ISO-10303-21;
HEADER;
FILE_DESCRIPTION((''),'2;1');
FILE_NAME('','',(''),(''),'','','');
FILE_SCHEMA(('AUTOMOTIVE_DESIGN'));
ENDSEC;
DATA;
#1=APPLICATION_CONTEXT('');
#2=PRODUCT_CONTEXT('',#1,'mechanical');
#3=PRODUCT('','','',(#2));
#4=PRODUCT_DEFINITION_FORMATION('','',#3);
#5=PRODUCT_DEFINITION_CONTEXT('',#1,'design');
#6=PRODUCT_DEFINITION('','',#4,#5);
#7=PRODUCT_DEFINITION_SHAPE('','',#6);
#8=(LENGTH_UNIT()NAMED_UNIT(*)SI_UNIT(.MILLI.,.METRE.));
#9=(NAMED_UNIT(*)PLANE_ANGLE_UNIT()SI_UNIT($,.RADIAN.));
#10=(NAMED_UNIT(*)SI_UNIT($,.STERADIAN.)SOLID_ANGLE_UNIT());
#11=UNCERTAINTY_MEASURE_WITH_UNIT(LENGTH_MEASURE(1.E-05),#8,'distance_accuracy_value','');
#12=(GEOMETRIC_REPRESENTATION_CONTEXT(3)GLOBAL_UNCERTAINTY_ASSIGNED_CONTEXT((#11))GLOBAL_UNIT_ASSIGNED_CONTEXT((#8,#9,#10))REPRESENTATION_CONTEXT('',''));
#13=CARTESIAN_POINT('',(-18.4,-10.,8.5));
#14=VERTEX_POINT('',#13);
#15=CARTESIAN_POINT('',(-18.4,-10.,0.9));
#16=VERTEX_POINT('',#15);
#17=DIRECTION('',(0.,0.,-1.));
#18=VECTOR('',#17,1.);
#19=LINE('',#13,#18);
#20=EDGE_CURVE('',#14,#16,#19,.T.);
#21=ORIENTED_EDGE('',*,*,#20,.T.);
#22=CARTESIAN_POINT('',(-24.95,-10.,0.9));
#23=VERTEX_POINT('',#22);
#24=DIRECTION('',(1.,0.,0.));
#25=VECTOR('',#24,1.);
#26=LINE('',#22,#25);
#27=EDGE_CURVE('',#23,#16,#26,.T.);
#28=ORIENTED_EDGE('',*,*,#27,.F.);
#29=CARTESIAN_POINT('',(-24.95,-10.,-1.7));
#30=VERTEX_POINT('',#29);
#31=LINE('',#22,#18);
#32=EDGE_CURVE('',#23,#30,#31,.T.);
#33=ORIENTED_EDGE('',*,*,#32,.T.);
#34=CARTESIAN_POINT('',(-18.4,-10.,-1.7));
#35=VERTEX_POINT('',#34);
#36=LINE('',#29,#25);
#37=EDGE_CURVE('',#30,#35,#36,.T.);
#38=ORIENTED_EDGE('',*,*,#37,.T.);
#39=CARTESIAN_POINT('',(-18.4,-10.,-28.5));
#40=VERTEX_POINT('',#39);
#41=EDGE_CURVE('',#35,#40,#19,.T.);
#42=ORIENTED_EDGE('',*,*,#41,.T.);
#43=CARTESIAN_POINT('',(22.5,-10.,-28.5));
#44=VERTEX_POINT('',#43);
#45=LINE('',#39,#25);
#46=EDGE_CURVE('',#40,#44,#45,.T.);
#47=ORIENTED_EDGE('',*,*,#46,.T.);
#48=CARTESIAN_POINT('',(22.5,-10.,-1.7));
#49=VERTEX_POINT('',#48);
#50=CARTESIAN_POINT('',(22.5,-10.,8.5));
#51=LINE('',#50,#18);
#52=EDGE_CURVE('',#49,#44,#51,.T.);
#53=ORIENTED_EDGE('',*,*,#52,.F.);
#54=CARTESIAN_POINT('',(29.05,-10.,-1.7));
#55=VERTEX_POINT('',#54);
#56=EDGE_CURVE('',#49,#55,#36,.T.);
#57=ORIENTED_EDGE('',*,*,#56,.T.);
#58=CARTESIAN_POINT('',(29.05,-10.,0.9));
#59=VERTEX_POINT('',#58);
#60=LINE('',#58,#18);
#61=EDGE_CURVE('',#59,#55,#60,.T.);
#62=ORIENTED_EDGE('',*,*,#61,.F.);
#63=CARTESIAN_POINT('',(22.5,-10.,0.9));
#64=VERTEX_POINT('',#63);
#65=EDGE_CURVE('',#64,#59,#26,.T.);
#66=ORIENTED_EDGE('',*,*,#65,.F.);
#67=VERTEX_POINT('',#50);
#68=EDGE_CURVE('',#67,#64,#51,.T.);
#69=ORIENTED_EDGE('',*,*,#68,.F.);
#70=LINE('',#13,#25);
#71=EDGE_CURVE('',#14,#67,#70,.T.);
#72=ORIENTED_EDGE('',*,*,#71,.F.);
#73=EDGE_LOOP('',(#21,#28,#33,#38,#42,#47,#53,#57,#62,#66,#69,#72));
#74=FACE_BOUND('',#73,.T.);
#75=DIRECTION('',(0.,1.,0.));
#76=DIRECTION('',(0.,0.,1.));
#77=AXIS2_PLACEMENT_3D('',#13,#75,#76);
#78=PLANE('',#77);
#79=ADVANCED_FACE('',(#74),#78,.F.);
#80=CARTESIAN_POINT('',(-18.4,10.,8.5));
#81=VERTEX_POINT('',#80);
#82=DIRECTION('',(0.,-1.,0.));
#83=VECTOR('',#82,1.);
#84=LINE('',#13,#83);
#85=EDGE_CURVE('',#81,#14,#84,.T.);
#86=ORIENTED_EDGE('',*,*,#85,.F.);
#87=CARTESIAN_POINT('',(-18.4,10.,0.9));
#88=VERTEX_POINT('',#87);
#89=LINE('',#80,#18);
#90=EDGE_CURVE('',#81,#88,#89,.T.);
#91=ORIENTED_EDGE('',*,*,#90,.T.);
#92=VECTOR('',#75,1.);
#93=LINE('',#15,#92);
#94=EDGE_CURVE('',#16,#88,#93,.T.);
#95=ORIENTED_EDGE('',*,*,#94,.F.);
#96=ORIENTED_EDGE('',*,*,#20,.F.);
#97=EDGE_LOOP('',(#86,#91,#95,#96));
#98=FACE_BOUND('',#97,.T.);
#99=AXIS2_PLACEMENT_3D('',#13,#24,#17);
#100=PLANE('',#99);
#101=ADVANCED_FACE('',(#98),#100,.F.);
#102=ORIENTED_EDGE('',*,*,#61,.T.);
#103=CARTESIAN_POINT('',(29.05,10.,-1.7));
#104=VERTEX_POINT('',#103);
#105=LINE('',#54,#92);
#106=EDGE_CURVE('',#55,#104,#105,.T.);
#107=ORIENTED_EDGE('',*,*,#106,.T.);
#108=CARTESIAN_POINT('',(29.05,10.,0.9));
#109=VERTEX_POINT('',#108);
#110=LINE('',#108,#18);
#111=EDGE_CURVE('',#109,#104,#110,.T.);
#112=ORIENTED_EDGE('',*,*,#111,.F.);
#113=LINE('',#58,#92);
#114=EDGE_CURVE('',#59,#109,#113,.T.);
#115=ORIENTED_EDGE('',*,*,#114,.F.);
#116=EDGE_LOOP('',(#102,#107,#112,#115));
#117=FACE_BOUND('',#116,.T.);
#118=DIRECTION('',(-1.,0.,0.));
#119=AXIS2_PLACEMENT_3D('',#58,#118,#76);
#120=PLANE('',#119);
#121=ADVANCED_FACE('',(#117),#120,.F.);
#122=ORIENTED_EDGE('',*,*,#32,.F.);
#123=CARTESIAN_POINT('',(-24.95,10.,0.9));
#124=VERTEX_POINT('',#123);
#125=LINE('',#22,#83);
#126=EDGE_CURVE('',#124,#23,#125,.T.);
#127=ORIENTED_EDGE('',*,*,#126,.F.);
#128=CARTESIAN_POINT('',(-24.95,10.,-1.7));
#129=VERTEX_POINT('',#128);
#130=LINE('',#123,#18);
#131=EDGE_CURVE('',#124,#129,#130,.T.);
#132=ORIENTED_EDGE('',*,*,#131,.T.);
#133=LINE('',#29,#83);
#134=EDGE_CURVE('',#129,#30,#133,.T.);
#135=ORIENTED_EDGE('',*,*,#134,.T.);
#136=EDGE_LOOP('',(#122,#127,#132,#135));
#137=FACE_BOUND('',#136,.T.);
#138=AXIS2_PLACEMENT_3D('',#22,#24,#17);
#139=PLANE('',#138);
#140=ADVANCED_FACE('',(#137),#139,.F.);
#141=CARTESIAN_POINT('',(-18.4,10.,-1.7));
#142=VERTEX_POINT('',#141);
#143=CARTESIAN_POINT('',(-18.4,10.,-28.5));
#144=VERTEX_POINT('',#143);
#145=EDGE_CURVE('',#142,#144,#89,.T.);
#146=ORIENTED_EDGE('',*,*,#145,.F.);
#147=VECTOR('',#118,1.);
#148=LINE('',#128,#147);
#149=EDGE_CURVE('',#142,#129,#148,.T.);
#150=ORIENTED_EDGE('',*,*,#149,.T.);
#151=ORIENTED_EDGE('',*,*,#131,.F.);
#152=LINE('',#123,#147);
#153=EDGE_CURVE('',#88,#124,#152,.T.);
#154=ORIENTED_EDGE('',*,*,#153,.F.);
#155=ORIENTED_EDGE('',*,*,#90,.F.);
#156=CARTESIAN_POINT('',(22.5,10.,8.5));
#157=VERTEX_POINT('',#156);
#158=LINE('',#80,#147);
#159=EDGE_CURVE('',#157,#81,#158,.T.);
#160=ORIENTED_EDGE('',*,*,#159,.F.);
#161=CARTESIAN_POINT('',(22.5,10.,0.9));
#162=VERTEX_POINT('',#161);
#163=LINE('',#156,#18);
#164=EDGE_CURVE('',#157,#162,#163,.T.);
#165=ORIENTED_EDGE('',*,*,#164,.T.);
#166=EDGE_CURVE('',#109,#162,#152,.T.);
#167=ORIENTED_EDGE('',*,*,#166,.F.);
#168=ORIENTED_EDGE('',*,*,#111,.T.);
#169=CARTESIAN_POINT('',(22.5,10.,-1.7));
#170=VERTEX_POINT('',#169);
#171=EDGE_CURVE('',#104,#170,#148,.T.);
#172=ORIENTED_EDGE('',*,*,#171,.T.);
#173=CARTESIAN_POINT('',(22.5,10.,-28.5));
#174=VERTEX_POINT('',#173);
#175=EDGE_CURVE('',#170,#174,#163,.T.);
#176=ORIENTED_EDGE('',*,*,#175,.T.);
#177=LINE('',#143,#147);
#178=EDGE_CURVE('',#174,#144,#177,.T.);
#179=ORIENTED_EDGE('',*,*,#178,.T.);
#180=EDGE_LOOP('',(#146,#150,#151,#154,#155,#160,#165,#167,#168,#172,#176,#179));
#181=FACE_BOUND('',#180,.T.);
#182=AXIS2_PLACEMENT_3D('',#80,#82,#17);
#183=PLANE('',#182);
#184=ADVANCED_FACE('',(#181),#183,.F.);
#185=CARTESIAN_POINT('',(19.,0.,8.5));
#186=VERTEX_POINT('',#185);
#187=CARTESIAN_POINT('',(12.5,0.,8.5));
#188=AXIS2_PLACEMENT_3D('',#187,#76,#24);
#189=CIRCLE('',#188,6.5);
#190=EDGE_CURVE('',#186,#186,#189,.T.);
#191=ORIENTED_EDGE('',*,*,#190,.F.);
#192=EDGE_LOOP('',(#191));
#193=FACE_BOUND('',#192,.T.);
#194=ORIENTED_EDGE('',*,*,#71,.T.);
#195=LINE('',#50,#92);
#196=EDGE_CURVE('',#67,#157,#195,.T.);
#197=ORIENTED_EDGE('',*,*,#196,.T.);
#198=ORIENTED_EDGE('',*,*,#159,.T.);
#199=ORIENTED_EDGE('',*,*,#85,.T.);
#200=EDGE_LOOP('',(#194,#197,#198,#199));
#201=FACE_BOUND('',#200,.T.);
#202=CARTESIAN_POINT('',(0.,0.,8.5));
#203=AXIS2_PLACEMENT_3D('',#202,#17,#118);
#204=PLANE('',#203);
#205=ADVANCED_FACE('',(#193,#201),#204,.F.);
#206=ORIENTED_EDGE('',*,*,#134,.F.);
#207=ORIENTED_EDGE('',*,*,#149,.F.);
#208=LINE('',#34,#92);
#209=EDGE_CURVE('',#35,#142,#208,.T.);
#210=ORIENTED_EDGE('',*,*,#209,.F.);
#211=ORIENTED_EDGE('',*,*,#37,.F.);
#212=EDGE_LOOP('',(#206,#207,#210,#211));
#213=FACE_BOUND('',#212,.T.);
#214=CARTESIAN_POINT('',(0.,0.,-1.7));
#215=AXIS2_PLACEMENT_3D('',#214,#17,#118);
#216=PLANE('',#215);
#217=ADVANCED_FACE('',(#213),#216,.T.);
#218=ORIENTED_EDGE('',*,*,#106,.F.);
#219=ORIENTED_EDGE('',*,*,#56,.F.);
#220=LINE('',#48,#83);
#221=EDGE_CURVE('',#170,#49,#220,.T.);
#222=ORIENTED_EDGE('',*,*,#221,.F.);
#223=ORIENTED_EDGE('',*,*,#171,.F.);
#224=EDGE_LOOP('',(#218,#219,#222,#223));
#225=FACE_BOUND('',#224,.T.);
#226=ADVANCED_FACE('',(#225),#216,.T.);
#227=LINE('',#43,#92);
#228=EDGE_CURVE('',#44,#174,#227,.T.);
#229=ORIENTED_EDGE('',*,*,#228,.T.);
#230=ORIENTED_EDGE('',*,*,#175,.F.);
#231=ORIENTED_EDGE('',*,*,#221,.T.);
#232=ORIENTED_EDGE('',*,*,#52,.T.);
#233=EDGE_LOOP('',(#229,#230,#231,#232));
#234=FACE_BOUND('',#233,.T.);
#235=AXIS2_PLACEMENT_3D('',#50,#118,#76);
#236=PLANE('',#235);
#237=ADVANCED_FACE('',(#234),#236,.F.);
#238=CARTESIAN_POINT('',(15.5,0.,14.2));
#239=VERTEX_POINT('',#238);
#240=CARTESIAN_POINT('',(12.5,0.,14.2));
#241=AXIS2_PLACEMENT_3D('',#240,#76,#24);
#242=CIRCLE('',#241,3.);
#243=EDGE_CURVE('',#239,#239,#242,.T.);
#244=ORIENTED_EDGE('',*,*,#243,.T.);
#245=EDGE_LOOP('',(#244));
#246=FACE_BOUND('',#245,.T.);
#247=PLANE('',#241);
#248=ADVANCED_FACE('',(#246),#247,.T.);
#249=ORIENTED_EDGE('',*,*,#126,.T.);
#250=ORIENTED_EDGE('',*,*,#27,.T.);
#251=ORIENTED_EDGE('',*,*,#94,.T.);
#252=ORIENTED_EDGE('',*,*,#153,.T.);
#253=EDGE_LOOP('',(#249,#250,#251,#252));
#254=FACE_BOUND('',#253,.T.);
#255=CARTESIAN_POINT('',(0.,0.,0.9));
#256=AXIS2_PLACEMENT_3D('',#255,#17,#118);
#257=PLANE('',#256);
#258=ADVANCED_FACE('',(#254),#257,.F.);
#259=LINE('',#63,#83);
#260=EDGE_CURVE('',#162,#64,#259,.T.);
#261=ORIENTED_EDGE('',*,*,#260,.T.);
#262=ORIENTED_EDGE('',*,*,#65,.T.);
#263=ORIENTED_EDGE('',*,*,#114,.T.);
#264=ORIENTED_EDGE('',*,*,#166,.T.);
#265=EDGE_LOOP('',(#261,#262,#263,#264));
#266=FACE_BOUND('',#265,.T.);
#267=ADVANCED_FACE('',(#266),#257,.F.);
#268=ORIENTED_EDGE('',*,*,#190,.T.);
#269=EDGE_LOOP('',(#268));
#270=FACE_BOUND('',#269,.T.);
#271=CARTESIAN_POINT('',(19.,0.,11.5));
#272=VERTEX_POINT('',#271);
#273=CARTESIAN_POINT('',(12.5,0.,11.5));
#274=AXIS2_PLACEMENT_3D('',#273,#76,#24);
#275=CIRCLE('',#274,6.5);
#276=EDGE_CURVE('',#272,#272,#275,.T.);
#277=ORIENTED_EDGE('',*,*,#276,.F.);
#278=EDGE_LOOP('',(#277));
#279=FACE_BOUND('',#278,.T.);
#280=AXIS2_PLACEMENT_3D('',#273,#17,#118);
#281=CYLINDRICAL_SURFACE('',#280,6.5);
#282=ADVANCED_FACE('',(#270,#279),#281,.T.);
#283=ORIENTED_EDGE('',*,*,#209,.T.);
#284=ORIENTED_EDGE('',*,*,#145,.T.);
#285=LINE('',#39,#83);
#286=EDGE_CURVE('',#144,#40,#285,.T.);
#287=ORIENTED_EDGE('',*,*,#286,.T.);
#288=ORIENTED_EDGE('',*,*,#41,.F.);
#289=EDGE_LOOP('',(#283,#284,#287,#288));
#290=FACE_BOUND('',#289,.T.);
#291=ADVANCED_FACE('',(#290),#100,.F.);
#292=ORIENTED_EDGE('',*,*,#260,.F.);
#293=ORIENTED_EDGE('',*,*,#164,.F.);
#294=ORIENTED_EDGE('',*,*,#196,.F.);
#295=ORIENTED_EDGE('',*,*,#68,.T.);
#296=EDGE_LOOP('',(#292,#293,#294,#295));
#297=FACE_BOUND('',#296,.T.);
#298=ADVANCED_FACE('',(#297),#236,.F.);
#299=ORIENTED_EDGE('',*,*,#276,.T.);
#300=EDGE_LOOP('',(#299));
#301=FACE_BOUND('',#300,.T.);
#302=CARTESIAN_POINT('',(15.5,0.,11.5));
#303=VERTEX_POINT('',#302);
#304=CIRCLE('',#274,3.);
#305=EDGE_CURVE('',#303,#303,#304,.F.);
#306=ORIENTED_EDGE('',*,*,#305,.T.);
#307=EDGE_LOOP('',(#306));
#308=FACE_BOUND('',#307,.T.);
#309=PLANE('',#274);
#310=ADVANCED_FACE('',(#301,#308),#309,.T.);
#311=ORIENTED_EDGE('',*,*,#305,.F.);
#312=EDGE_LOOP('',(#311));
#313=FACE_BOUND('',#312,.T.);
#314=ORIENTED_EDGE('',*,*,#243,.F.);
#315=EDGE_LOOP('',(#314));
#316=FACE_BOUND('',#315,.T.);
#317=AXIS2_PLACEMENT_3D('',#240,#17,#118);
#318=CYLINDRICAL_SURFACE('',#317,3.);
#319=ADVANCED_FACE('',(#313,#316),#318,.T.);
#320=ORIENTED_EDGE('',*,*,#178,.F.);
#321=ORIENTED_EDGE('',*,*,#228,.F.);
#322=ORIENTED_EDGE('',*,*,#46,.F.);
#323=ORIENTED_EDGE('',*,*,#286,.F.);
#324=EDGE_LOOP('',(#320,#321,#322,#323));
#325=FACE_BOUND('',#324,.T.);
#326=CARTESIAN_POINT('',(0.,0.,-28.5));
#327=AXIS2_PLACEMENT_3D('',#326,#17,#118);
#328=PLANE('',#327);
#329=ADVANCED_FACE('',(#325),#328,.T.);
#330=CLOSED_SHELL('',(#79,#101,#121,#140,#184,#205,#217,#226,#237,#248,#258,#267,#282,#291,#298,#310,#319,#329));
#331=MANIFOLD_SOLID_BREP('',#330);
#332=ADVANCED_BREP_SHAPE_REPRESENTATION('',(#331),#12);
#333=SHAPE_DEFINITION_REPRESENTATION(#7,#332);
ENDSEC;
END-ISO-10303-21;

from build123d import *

# Parameters (mm, degrees)
CASE_40P9_X_20_X_37_START             = -28.5
CASE_40P9_X_20_X_37_PROFILE_W         = 40.9
CASE_40P9_X_20_X_37_PROFILE_H         = 20
CASE_40P9_X_20_X_37_DEPTH             = 37
MOUNTING_TABS_54_X_20_X_2P6_START     = -1.7
MOUNTING_TABS_54_X_20_X_2P6_PROFILE_W = 54
MOUNTING_TABS_54_X_20_X_2P6_PROFILE_H = 20
MOUNTING_TABS_54_X_20_X_2P6_DEPTH     = 2.6
OUTPUT_BOSS_D13_START                 = 8.5
OUTPUT_BOSS_D13_PROFILE_R             = 6.5
OUTPUT_BOSS_D13_DEPTH                 = 3
OUTPUT_SHAFT_ENVELOPE_D6_START        = 8.5
OUTPUT_SHAFT_ENVELOPE_D6_PROFILE_R    = 3
OUTPUT_SHAFT_ENVELOPE_D6_DEPTH        = 5.7


with BuildPart() as part:
    # Case_40p9_x_20_x_37_Profile → Case_40p9_x_20_x_37 (new body)
    with BuildSketch(Plane.XY.offset(CASE_40P9_X_20_X_37_START)):
        with Locations((2.05, 0)):
            Rectangle(CASE_40P9_X_20_X_37_PROFILE_W, CASE_40P9_X_20_X_37_PROFILE_H)
    extrude(amount=CASE_40P9_X_20_X_37_DEPTH)

    # Mounting_tabs_54_x_20_x_2p6_Profile → Mounting_tabs_54_x_20_x_2p6 (add)
    with BuildSketch(Plane.XY.offset(MOUNTING_TABS_54_X_20_X_2P6_START)):
        with Locations((2.05, 0)):
            Rectangle(MOUNTING_TABS_54_X_20_X_2P6_PROFILE_W, MOUNTING_TABS_54_X_20_X_2P6_PROFILE_H)
    extrude(amount=MOUNTING_TABS_54_X_20_X_2P6_DEPTH)

    # Output_boss_D13_Profile → Output_boss_D13 (add)
    with BuildSketch(Plane.XY.offset(OUTPUT_BOSS_D13_START)):
        with Locations((12.5, 0)):
            Circle(OUTPUT_BOSS_D13_PROFILE_R)
    extrude(amount=OUTPUT_BOSS_D13_DEPTH)

    # Output_shaft_envelope_D6_Profile → Output_shaft_envelope_D6 (add)
    with BuildSketch(Plane.XY.offset(OUTPUT_SHAFT_ENVELOPE_D6_START)):
        with Locations((12.5, 0)):
            Circle(OUTPUT_SHAFT_ENVELOPE_D6_PROFILE_R)
    extrude(amount=OUTPUT_SHAFT_ENVELOPE_D6_DEPTH)


solid = part.part
